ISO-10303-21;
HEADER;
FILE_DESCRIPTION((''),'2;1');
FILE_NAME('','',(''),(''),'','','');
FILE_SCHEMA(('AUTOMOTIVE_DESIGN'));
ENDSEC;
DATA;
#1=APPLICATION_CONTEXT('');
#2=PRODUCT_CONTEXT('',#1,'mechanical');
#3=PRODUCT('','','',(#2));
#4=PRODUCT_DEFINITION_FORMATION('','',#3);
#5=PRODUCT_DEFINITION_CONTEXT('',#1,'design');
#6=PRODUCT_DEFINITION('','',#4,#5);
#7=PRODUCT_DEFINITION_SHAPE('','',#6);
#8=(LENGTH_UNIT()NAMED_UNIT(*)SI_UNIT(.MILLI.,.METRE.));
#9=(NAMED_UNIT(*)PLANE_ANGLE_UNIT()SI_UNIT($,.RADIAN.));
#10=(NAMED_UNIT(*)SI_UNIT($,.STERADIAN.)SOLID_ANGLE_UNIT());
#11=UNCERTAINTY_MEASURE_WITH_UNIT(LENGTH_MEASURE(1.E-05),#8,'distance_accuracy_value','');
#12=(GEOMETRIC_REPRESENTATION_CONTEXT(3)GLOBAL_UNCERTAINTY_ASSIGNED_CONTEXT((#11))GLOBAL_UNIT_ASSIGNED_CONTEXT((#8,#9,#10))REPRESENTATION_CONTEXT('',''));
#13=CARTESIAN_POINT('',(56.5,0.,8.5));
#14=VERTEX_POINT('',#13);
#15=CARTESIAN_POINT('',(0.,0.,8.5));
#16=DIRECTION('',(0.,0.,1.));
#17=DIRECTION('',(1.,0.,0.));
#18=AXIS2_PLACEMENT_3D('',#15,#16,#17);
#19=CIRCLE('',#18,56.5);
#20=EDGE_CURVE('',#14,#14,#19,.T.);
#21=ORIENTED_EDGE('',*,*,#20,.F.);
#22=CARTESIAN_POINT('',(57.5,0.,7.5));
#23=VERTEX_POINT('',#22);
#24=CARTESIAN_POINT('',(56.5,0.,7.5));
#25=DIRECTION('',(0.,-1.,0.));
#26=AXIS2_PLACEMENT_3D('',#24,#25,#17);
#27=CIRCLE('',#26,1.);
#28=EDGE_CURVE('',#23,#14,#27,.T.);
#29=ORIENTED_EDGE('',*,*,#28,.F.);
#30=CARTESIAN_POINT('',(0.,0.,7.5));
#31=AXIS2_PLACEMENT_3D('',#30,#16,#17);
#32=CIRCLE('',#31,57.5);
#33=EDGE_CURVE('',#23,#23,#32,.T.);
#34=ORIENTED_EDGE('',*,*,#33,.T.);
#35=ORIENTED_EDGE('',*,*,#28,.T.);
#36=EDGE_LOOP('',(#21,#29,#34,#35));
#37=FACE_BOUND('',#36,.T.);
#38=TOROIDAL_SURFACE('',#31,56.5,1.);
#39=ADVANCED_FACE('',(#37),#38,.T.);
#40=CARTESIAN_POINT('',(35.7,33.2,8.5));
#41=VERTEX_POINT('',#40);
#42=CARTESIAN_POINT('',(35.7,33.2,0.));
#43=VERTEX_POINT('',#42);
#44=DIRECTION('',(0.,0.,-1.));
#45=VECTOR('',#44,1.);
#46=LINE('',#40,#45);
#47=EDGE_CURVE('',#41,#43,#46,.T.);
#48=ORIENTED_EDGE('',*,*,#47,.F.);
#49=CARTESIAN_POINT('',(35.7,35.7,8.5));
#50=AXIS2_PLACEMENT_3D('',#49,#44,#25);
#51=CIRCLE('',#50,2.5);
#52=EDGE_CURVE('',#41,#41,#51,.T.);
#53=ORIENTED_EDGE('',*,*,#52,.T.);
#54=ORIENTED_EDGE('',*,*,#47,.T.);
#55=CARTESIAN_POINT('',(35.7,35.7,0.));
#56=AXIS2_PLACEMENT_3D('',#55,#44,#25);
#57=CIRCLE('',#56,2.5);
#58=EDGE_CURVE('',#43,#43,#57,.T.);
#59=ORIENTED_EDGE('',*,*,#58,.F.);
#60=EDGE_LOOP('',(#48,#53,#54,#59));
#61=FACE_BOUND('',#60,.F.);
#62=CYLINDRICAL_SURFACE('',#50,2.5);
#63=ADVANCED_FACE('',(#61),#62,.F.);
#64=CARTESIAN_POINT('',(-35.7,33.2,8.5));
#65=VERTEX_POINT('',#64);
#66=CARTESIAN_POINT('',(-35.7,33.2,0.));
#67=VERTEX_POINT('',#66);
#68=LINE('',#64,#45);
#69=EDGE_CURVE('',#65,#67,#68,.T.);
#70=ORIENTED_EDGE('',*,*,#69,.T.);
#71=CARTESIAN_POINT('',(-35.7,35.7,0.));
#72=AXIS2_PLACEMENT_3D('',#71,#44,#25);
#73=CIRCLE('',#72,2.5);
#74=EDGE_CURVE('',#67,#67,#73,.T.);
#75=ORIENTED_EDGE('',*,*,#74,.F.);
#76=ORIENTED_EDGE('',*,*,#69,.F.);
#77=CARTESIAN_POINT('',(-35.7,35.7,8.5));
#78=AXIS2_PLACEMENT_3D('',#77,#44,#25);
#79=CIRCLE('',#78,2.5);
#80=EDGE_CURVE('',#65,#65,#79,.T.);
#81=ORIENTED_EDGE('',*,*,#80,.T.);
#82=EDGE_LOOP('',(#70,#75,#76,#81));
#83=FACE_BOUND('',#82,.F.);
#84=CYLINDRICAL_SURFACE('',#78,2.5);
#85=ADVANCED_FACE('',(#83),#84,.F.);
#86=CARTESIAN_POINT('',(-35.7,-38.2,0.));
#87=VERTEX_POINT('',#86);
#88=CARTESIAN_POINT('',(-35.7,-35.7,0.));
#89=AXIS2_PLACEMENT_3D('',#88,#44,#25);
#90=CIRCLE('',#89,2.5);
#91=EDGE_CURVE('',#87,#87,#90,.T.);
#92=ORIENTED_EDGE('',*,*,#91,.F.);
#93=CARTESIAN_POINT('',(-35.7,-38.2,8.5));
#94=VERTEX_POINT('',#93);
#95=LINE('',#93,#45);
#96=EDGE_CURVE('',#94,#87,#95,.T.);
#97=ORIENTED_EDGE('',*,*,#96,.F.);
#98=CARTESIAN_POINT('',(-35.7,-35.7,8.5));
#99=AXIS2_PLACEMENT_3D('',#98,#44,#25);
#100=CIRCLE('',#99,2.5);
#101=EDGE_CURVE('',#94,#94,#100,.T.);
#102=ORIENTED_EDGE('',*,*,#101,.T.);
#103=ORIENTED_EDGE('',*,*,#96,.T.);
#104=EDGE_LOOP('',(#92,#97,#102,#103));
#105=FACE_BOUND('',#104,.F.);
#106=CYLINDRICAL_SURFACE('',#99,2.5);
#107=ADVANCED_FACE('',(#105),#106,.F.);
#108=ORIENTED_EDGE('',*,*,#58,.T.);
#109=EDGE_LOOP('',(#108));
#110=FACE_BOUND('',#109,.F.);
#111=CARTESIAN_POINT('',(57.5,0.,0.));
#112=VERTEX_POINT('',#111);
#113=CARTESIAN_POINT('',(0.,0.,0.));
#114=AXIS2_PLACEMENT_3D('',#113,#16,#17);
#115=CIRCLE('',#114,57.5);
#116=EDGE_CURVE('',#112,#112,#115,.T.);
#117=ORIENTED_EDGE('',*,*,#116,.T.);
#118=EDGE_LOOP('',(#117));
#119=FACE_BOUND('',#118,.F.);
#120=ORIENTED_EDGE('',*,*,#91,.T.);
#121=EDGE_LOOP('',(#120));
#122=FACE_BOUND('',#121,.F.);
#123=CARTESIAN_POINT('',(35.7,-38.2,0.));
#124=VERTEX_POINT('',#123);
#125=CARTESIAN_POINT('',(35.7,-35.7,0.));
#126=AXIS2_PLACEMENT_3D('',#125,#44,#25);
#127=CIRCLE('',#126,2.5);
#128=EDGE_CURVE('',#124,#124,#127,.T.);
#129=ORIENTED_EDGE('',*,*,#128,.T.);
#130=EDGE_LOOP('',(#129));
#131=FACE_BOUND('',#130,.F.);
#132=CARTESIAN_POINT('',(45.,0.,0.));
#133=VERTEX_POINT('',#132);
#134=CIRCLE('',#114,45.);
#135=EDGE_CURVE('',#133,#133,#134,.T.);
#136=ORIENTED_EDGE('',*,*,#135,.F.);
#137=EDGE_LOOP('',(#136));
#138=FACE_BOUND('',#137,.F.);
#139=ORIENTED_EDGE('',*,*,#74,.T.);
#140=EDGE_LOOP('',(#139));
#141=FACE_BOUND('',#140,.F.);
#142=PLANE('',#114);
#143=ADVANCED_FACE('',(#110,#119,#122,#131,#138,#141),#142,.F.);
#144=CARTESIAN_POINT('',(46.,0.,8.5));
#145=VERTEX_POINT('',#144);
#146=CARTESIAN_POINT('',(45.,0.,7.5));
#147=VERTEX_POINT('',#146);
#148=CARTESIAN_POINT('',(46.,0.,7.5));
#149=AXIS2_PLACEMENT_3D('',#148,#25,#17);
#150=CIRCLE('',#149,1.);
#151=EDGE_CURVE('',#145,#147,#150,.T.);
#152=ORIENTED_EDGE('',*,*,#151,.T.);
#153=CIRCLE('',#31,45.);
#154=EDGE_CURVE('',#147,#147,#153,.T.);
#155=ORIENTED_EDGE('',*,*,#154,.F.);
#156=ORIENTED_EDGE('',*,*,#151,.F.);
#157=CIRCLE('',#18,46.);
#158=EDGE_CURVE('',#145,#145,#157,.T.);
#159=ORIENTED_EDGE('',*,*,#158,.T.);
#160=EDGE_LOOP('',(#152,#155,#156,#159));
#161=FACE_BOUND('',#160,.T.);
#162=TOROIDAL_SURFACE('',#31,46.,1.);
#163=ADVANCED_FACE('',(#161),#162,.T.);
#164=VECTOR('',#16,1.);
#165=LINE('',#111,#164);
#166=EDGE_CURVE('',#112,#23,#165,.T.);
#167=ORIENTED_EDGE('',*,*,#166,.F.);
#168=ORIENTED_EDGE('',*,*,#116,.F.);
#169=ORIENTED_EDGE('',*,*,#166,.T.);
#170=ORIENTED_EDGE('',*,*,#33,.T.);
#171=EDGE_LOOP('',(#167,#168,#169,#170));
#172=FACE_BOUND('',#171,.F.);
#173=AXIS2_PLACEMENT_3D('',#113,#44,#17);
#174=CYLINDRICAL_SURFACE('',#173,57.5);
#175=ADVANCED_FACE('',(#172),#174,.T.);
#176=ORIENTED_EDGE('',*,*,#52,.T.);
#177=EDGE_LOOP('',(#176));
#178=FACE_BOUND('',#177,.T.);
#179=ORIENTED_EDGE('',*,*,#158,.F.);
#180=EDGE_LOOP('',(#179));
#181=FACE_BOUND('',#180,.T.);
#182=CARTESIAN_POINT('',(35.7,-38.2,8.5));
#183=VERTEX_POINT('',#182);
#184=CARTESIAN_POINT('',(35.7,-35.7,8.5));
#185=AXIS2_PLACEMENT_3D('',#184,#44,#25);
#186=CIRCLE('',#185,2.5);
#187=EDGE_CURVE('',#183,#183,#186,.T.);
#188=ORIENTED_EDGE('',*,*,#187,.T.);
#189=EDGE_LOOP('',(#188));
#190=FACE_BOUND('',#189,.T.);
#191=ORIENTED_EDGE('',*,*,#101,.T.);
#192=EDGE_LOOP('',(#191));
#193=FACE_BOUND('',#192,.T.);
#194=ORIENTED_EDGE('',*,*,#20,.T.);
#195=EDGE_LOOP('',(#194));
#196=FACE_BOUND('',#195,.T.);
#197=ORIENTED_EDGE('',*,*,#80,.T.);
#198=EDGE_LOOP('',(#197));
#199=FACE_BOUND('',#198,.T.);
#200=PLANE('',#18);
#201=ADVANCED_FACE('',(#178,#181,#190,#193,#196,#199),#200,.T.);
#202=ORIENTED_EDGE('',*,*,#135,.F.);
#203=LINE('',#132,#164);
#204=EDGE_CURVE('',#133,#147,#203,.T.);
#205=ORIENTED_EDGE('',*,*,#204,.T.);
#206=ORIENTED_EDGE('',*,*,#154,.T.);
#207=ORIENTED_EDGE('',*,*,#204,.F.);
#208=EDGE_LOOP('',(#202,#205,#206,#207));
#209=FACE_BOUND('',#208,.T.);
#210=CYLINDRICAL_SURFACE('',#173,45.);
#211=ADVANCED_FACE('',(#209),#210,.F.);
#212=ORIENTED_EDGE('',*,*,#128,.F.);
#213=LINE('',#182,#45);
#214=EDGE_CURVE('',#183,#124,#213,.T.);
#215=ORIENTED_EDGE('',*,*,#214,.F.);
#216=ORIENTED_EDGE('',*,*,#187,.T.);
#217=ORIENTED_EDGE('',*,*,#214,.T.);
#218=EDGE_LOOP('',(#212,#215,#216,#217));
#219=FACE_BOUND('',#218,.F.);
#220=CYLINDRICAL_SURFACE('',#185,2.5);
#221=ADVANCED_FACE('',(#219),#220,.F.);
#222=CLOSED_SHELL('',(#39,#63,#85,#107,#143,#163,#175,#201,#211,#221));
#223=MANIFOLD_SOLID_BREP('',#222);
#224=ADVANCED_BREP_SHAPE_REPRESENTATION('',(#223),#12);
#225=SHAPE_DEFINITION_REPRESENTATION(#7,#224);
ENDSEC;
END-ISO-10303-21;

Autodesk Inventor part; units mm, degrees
ref_plane "YZ Plane" through (0, 0, 0) normal (1, 0, 0) x (0, 1, 0)
ref_plane "XZ Plane" through (0, 0, 0) normal (0, 1, 0) x (-1, 0, 0)
ref_plane "XY Plane" through (0, 0, 0) normal (0, 0, 1) x (1, 0, 0)
sketch "スケッチ1" plane through (0, 0, 0) normal (0, 0, 1) x (1, 0, 0)
  circle A0 centre (0, 0) radius 45
  circle A1 centre (0, 0) radius 57.5
  dimension "d0" = 90
  dimension "d1" = 115
extrude "押し出し1" add sketch "スケッチ1" along normal blind 8.5
sketch "スケッチ2" plane through (0, 0, 8.5) normal (0, 0, 1) x (1, 0, 0)
  line L0 (0, 0) -> (35.7, 0)
  line L1 (35.7, 0) -> (35.7, -35.7)
  line L2 (35.7, -35.7) -> (0, -35.7)
  line L3 (0, -35.7) -> (0, 0)
  point P0 (35.7, 35.7)
  point P1 (-35.7, 35.7)
  point P2 (-35.7, -35.7)
  dimension "d13" = 35.7
  dimension "d14" = 35.7
  dimension "d17" = 360
hole "穴1" at (-35.7, 35.7, 8.5) at (35.7, 35.7, 8.5) at (-35.7, -35.7, 8.5) at (35.7, -35.7, 8.5) direction (0, 0, -1) diameter 5 end through all
fillet "フィレット1" radius 1 2 edges at (-45, 0, 8.5) (-57.5, 0, 8.5)
properties part number "turntable_in_8_23" material "アルミニウム 6061-AHC"
